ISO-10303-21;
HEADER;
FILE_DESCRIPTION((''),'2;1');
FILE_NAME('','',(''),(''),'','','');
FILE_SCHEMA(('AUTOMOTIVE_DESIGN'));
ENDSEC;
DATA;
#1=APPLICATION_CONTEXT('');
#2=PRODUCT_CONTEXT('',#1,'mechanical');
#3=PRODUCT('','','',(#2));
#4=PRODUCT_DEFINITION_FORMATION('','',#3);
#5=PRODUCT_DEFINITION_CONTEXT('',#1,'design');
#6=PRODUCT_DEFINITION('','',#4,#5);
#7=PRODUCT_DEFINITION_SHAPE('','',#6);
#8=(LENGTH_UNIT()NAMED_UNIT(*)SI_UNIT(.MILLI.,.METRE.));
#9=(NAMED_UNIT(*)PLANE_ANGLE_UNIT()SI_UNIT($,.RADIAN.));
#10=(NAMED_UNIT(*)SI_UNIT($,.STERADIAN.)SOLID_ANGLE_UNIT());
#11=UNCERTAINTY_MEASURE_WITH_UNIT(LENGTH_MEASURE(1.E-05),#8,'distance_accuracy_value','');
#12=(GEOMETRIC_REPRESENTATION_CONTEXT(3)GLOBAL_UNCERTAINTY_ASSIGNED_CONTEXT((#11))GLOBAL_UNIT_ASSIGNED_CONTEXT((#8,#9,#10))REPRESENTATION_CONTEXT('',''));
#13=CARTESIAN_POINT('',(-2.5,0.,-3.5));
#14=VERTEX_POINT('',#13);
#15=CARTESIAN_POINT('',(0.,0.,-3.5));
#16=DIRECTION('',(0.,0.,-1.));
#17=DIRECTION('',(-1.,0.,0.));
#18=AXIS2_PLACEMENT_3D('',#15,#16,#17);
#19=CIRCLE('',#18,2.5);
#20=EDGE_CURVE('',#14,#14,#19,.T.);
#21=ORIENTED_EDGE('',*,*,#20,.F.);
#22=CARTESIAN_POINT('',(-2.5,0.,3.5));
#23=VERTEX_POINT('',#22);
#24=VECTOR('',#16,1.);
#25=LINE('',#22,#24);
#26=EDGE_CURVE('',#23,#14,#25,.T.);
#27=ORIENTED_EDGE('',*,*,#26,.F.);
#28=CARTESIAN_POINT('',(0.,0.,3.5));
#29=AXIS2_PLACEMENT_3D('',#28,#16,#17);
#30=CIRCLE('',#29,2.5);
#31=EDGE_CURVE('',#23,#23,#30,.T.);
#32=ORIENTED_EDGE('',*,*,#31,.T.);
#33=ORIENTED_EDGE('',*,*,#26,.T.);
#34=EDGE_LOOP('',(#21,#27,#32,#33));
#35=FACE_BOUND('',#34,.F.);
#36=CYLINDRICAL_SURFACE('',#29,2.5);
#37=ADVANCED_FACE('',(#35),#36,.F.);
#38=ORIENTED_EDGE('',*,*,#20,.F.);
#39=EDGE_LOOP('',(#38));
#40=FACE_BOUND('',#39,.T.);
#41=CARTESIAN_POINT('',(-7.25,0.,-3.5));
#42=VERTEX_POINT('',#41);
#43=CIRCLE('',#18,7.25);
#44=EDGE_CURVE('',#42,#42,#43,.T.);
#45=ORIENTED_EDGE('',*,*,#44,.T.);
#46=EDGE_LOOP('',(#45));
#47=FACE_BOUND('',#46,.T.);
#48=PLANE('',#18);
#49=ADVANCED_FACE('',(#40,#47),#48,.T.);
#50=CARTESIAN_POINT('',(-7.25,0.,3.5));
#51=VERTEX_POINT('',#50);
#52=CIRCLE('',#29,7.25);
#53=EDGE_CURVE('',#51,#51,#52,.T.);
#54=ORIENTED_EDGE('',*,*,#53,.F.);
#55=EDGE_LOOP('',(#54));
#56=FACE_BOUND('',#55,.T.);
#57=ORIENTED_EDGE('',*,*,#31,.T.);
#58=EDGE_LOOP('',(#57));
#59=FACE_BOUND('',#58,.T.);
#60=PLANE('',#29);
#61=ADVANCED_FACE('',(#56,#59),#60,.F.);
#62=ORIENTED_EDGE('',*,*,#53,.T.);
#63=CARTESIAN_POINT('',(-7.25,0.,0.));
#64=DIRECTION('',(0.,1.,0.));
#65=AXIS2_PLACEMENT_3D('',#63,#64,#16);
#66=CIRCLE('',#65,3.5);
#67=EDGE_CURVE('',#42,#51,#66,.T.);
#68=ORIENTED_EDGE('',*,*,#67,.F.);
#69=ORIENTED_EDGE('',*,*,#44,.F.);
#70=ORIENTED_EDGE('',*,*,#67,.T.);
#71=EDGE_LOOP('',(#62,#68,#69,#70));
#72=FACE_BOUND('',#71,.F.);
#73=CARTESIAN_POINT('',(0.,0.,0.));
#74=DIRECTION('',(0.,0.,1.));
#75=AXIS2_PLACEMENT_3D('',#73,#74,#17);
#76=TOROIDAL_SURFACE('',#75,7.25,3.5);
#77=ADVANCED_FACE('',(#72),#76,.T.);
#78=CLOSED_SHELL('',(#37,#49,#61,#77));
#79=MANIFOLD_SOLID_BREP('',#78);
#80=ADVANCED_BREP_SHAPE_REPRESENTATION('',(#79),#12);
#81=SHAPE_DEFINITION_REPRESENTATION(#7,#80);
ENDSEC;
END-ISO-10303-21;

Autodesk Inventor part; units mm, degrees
ref_plane "YZ Plane" through (0, 0, 0) normal (1, 0, 0) x (0, 1, 0)
ref_plane "XZ Plane" through (0, 0, 0) normal (0, 1, 0) x (-1, 0, 0)
ref_plane "XY Plane" through (0, 0, 0) normal (0, 0, 1) x (1, 0, 0)
sketch "Sketch1" plane through (0, 0, 0) normal (0, 1, 0) x (-1, 0, 0)
  line L0 (-10.75, -3.5) -> (10.75, 3.5) construction
  line L1 (10.75, -3.5) -> (-10.75, 3.5) construction
  line L2 (2.5, 3.5) -> (2.5, -3.5)
  line L3 (-2.5, 3.5) -> (2.5, -3.5) construction
  line L4 (2.5, 3.5) -> (-2.5, -3.5) construction
  arc A0 (7.25, -3.5) -> (7.25, 3.5) centre (7.25, 0) ccw
  line L5 (0, 3.5) -> (0, -3.5)
  line L6 (7.25, -3.5) -> (2.5, -3.5)
  line L7 (2.5, -3.5) -> (2.5, 3.5)
  line L8 (2.5, 3.5) -> (7.25, 3.5)
  line L9 (7.25, 3.5) -> (7.25, -3.5)
  point P0 (0, 0)
  dimension "d0" = 21.5
revolve "Revolution1" add sketch "Sketch1" angle 360 about axis through (0, 0, 3.5) along (0, 0, -1)
properties part number "wheel3standin"
